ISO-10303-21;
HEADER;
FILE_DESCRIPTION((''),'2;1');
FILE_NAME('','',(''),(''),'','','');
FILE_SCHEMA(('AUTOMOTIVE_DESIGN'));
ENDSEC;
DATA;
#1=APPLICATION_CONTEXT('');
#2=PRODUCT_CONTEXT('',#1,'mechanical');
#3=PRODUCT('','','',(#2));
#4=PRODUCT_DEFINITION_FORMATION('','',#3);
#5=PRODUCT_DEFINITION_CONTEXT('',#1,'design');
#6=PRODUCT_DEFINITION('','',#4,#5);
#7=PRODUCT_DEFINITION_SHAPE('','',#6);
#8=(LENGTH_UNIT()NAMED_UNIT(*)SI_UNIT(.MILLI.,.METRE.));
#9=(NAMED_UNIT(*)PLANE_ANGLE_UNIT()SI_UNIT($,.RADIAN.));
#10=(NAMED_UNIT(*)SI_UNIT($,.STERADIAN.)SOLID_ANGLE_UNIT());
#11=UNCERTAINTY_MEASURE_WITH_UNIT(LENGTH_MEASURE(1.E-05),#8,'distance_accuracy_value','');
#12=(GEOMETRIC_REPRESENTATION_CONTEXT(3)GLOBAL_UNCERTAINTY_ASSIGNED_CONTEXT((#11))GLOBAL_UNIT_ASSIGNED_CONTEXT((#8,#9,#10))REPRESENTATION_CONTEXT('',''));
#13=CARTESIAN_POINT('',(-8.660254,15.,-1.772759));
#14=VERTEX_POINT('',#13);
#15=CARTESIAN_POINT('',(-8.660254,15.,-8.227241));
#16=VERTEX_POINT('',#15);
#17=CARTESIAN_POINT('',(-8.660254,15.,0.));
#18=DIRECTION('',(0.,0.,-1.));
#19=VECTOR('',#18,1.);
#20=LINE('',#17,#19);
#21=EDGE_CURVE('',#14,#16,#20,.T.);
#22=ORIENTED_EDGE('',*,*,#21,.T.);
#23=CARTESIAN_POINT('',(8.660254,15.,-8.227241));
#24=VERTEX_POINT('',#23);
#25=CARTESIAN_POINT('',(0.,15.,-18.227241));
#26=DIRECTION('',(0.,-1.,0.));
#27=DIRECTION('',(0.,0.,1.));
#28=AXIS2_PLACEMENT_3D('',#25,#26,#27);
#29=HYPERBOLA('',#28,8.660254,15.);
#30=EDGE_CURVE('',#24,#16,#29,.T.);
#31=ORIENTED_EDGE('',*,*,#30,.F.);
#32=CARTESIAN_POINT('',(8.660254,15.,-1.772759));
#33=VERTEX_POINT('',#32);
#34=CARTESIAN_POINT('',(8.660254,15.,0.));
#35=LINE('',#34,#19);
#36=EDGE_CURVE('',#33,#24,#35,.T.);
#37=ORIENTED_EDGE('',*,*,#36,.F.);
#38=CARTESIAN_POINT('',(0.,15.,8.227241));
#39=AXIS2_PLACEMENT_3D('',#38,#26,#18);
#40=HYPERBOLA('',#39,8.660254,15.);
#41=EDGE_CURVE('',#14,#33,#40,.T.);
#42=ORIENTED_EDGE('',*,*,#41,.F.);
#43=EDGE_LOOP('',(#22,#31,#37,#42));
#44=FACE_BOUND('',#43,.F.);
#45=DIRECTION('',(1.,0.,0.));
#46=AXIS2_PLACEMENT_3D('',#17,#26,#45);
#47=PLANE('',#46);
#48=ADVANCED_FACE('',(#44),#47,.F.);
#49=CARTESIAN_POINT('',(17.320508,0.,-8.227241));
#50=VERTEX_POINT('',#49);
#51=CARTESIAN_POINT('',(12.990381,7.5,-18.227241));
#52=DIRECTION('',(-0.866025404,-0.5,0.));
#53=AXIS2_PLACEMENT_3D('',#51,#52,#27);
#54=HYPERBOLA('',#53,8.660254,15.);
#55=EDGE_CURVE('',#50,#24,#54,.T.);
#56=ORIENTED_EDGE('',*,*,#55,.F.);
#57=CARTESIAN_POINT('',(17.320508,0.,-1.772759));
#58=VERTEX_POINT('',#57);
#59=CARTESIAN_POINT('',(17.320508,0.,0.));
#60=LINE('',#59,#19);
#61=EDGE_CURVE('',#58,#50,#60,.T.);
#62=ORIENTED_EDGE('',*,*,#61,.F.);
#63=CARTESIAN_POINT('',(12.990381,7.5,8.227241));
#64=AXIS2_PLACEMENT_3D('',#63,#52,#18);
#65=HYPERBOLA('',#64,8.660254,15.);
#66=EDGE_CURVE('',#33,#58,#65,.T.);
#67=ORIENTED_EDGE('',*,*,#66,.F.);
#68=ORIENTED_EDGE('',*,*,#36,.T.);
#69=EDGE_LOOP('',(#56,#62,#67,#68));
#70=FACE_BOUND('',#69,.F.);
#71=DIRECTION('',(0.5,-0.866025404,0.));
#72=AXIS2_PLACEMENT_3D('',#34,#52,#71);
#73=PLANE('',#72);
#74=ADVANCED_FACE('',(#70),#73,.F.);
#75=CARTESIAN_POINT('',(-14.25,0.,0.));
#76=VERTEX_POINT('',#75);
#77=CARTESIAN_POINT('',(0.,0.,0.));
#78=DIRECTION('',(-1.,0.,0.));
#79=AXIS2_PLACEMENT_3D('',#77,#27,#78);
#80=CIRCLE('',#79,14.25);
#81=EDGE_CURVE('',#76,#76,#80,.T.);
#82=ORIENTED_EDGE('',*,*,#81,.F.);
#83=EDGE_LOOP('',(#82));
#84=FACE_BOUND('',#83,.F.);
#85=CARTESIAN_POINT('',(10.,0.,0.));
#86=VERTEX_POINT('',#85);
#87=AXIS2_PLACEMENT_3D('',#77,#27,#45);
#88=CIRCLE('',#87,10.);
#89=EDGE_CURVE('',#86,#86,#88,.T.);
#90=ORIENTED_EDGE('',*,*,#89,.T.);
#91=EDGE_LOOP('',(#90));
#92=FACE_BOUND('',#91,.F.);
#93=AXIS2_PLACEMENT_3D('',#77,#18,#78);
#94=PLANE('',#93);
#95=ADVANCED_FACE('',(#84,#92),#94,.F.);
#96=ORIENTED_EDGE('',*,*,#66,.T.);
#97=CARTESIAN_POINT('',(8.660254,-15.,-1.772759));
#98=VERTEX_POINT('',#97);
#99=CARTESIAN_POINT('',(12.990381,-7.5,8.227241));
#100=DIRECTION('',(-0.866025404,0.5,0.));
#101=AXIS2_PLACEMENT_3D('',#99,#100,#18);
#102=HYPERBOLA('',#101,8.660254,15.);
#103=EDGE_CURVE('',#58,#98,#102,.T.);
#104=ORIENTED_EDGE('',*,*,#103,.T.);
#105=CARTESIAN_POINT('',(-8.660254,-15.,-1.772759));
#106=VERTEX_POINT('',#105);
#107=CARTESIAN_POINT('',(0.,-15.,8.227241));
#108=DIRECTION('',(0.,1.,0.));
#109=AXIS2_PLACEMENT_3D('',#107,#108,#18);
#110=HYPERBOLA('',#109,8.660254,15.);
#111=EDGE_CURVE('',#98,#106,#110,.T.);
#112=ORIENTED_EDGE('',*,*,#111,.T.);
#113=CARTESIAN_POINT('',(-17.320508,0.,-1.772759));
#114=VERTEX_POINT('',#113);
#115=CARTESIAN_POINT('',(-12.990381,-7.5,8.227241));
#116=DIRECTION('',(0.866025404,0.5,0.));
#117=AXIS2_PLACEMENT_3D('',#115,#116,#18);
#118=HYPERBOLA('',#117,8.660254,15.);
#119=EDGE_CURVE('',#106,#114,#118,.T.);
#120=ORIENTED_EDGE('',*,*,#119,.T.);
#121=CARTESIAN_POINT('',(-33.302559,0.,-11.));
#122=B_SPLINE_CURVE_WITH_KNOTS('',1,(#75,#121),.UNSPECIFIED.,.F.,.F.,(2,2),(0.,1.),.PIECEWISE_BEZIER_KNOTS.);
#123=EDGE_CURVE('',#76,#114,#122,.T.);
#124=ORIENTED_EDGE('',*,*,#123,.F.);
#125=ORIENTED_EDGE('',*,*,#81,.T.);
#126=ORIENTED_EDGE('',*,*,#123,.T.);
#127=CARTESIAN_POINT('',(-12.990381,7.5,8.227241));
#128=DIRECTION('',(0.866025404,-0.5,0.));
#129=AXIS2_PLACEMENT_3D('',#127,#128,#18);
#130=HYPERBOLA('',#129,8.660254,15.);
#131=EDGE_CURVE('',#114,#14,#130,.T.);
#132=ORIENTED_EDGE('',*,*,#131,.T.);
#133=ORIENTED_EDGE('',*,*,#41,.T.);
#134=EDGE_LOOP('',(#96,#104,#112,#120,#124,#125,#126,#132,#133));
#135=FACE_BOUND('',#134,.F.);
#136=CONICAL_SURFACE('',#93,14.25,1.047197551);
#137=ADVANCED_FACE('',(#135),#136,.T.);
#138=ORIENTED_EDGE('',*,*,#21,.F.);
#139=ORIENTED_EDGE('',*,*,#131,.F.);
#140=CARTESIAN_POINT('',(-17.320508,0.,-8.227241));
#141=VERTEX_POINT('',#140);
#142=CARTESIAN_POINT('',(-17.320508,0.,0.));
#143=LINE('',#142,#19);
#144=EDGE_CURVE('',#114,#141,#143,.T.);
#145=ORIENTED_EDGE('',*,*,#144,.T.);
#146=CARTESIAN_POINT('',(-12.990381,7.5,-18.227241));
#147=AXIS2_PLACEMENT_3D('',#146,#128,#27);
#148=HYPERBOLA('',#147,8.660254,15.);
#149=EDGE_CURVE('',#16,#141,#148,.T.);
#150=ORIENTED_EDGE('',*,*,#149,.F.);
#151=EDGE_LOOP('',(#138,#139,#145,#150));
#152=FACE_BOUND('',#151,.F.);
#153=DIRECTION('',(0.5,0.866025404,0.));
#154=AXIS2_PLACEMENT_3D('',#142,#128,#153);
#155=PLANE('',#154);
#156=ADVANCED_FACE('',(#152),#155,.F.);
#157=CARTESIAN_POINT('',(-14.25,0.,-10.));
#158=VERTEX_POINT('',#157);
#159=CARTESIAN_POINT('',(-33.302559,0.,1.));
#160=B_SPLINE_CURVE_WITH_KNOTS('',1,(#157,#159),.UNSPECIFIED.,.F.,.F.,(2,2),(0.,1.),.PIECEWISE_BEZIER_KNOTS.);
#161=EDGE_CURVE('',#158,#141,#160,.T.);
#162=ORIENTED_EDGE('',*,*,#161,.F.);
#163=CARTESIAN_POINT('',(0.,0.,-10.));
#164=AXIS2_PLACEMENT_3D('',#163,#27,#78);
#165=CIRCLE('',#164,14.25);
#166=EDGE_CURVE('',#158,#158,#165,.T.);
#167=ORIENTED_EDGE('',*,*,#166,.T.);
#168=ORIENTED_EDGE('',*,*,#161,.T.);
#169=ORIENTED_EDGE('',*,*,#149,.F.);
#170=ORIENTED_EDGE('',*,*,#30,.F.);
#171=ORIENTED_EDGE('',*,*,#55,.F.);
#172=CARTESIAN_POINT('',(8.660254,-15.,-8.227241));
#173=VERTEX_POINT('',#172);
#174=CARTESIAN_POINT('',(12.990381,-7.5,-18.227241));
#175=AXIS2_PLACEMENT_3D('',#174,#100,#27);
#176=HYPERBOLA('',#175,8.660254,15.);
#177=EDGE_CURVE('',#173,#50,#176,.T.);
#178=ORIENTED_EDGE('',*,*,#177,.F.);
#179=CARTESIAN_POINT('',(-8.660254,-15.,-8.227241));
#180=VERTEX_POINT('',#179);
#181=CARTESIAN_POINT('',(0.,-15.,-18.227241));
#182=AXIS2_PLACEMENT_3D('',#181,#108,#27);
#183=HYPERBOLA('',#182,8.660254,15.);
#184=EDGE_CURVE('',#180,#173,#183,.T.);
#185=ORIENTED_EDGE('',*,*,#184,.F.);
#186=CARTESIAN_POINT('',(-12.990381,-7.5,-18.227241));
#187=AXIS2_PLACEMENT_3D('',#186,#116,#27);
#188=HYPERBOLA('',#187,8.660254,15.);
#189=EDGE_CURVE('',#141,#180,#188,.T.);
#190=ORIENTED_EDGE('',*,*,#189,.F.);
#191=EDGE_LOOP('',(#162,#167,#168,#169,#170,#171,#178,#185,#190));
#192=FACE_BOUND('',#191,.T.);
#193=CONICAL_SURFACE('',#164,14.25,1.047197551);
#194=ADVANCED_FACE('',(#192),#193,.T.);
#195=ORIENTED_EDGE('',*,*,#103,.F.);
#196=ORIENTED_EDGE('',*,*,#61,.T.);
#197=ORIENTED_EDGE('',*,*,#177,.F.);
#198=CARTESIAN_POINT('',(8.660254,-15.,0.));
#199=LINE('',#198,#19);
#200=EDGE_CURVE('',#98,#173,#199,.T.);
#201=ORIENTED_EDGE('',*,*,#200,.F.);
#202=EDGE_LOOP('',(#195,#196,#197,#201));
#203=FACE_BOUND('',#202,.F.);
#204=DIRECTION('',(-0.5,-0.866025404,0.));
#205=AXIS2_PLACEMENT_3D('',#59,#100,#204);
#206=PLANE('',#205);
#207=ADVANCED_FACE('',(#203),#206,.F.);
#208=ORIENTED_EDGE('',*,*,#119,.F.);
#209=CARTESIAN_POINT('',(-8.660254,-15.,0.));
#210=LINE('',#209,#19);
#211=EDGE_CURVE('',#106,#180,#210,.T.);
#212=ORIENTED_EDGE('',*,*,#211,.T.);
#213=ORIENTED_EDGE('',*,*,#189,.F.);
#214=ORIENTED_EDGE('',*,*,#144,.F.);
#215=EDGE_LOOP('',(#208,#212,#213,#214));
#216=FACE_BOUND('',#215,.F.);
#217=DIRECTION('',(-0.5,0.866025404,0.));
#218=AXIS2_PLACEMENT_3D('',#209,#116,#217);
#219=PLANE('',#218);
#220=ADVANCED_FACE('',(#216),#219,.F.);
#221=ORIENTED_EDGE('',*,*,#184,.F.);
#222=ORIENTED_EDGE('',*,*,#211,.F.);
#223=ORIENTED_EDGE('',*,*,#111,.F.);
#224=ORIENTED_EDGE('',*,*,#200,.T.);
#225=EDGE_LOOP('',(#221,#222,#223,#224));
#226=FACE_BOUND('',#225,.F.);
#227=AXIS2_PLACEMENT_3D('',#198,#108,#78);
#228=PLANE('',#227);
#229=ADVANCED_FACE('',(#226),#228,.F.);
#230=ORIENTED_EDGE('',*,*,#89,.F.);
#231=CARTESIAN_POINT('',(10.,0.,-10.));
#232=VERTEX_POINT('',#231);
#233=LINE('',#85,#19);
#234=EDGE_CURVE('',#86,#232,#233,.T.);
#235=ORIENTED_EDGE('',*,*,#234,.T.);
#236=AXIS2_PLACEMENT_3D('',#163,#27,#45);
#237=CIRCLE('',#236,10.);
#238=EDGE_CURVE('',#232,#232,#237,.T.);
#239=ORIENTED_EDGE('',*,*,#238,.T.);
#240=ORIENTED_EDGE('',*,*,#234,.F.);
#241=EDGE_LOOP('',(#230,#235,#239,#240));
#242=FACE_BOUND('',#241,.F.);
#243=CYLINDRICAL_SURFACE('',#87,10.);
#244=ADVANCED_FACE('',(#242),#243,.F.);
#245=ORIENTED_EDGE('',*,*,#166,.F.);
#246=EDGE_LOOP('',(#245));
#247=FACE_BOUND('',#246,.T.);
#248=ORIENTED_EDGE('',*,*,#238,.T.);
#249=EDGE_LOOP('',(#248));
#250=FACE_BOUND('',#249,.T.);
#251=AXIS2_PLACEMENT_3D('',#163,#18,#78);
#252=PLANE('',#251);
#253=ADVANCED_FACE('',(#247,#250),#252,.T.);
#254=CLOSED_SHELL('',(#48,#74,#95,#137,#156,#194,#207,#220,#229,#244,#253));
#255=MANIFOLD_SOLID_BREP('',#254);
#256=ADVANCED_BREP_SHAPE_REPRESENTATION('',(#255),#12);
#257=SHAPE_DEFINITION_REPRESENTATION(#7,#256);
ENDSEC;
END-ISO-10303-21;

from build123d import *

# Parameters (mm, degrees)
BASENUTSKE_R       = 10
BASENUT_DEPTH      = 10
SKETCH6_OUTSIDE_W  = 84.128
SKETCH6_OUTSIDE_H  = 79.486
SKETCH6_OUTSIDE_R  = 14.25
CUT_EXTRUDE2_DEPTH = 11
CUT_EXTRUDE2_TAPER = 60


with BuildPart() as part:
    # BaseNutSke → BaseNut (new body)
    with BuildSketch(Plane.XY):
        Polygon((8.660254038, -15), (-8.660254038, -15), (-17.320508076, 0), (-8.660254038, 15), (8.660254038, 15), (17.320508076, 0), align=None)
        Circle(BASENUTSKE_R, mode=Mode.SUBTRACT)
    extrude(amount=-BASENUT_DEPTH)

    # Sketch6 outside → Cut-Extrude2 (cut, through all)
    with BuildSketch(Plane(origin=(0, 0, -10), x_dir=(-1, 0, 0), z_dir=(0, 0, -1))):
        Rectangle(SKETCH6_OUTSIDE_W, SKETCH6_OUTSIDE_H)
        Circle(SKETCH6_OUTSIDE_R, mode=Mode.SUBTRACT)
    cut_extrude2 = extrude(amount=-CUT_EXTRUDE2_DEPTH, taper=CUT_EXTRUDE2_TAPER, mode=Mode.SUBTRACT)

    # Mirror1: Cut-Extrude2 across plane
    add(cut_extrude2.mirror(Plane(origin=(0, 0, -5), x_dir=(1, 0, 0), z_dir=(0, 0, -1))), mode=Mode.SUBTRACT)


solid = part.part
